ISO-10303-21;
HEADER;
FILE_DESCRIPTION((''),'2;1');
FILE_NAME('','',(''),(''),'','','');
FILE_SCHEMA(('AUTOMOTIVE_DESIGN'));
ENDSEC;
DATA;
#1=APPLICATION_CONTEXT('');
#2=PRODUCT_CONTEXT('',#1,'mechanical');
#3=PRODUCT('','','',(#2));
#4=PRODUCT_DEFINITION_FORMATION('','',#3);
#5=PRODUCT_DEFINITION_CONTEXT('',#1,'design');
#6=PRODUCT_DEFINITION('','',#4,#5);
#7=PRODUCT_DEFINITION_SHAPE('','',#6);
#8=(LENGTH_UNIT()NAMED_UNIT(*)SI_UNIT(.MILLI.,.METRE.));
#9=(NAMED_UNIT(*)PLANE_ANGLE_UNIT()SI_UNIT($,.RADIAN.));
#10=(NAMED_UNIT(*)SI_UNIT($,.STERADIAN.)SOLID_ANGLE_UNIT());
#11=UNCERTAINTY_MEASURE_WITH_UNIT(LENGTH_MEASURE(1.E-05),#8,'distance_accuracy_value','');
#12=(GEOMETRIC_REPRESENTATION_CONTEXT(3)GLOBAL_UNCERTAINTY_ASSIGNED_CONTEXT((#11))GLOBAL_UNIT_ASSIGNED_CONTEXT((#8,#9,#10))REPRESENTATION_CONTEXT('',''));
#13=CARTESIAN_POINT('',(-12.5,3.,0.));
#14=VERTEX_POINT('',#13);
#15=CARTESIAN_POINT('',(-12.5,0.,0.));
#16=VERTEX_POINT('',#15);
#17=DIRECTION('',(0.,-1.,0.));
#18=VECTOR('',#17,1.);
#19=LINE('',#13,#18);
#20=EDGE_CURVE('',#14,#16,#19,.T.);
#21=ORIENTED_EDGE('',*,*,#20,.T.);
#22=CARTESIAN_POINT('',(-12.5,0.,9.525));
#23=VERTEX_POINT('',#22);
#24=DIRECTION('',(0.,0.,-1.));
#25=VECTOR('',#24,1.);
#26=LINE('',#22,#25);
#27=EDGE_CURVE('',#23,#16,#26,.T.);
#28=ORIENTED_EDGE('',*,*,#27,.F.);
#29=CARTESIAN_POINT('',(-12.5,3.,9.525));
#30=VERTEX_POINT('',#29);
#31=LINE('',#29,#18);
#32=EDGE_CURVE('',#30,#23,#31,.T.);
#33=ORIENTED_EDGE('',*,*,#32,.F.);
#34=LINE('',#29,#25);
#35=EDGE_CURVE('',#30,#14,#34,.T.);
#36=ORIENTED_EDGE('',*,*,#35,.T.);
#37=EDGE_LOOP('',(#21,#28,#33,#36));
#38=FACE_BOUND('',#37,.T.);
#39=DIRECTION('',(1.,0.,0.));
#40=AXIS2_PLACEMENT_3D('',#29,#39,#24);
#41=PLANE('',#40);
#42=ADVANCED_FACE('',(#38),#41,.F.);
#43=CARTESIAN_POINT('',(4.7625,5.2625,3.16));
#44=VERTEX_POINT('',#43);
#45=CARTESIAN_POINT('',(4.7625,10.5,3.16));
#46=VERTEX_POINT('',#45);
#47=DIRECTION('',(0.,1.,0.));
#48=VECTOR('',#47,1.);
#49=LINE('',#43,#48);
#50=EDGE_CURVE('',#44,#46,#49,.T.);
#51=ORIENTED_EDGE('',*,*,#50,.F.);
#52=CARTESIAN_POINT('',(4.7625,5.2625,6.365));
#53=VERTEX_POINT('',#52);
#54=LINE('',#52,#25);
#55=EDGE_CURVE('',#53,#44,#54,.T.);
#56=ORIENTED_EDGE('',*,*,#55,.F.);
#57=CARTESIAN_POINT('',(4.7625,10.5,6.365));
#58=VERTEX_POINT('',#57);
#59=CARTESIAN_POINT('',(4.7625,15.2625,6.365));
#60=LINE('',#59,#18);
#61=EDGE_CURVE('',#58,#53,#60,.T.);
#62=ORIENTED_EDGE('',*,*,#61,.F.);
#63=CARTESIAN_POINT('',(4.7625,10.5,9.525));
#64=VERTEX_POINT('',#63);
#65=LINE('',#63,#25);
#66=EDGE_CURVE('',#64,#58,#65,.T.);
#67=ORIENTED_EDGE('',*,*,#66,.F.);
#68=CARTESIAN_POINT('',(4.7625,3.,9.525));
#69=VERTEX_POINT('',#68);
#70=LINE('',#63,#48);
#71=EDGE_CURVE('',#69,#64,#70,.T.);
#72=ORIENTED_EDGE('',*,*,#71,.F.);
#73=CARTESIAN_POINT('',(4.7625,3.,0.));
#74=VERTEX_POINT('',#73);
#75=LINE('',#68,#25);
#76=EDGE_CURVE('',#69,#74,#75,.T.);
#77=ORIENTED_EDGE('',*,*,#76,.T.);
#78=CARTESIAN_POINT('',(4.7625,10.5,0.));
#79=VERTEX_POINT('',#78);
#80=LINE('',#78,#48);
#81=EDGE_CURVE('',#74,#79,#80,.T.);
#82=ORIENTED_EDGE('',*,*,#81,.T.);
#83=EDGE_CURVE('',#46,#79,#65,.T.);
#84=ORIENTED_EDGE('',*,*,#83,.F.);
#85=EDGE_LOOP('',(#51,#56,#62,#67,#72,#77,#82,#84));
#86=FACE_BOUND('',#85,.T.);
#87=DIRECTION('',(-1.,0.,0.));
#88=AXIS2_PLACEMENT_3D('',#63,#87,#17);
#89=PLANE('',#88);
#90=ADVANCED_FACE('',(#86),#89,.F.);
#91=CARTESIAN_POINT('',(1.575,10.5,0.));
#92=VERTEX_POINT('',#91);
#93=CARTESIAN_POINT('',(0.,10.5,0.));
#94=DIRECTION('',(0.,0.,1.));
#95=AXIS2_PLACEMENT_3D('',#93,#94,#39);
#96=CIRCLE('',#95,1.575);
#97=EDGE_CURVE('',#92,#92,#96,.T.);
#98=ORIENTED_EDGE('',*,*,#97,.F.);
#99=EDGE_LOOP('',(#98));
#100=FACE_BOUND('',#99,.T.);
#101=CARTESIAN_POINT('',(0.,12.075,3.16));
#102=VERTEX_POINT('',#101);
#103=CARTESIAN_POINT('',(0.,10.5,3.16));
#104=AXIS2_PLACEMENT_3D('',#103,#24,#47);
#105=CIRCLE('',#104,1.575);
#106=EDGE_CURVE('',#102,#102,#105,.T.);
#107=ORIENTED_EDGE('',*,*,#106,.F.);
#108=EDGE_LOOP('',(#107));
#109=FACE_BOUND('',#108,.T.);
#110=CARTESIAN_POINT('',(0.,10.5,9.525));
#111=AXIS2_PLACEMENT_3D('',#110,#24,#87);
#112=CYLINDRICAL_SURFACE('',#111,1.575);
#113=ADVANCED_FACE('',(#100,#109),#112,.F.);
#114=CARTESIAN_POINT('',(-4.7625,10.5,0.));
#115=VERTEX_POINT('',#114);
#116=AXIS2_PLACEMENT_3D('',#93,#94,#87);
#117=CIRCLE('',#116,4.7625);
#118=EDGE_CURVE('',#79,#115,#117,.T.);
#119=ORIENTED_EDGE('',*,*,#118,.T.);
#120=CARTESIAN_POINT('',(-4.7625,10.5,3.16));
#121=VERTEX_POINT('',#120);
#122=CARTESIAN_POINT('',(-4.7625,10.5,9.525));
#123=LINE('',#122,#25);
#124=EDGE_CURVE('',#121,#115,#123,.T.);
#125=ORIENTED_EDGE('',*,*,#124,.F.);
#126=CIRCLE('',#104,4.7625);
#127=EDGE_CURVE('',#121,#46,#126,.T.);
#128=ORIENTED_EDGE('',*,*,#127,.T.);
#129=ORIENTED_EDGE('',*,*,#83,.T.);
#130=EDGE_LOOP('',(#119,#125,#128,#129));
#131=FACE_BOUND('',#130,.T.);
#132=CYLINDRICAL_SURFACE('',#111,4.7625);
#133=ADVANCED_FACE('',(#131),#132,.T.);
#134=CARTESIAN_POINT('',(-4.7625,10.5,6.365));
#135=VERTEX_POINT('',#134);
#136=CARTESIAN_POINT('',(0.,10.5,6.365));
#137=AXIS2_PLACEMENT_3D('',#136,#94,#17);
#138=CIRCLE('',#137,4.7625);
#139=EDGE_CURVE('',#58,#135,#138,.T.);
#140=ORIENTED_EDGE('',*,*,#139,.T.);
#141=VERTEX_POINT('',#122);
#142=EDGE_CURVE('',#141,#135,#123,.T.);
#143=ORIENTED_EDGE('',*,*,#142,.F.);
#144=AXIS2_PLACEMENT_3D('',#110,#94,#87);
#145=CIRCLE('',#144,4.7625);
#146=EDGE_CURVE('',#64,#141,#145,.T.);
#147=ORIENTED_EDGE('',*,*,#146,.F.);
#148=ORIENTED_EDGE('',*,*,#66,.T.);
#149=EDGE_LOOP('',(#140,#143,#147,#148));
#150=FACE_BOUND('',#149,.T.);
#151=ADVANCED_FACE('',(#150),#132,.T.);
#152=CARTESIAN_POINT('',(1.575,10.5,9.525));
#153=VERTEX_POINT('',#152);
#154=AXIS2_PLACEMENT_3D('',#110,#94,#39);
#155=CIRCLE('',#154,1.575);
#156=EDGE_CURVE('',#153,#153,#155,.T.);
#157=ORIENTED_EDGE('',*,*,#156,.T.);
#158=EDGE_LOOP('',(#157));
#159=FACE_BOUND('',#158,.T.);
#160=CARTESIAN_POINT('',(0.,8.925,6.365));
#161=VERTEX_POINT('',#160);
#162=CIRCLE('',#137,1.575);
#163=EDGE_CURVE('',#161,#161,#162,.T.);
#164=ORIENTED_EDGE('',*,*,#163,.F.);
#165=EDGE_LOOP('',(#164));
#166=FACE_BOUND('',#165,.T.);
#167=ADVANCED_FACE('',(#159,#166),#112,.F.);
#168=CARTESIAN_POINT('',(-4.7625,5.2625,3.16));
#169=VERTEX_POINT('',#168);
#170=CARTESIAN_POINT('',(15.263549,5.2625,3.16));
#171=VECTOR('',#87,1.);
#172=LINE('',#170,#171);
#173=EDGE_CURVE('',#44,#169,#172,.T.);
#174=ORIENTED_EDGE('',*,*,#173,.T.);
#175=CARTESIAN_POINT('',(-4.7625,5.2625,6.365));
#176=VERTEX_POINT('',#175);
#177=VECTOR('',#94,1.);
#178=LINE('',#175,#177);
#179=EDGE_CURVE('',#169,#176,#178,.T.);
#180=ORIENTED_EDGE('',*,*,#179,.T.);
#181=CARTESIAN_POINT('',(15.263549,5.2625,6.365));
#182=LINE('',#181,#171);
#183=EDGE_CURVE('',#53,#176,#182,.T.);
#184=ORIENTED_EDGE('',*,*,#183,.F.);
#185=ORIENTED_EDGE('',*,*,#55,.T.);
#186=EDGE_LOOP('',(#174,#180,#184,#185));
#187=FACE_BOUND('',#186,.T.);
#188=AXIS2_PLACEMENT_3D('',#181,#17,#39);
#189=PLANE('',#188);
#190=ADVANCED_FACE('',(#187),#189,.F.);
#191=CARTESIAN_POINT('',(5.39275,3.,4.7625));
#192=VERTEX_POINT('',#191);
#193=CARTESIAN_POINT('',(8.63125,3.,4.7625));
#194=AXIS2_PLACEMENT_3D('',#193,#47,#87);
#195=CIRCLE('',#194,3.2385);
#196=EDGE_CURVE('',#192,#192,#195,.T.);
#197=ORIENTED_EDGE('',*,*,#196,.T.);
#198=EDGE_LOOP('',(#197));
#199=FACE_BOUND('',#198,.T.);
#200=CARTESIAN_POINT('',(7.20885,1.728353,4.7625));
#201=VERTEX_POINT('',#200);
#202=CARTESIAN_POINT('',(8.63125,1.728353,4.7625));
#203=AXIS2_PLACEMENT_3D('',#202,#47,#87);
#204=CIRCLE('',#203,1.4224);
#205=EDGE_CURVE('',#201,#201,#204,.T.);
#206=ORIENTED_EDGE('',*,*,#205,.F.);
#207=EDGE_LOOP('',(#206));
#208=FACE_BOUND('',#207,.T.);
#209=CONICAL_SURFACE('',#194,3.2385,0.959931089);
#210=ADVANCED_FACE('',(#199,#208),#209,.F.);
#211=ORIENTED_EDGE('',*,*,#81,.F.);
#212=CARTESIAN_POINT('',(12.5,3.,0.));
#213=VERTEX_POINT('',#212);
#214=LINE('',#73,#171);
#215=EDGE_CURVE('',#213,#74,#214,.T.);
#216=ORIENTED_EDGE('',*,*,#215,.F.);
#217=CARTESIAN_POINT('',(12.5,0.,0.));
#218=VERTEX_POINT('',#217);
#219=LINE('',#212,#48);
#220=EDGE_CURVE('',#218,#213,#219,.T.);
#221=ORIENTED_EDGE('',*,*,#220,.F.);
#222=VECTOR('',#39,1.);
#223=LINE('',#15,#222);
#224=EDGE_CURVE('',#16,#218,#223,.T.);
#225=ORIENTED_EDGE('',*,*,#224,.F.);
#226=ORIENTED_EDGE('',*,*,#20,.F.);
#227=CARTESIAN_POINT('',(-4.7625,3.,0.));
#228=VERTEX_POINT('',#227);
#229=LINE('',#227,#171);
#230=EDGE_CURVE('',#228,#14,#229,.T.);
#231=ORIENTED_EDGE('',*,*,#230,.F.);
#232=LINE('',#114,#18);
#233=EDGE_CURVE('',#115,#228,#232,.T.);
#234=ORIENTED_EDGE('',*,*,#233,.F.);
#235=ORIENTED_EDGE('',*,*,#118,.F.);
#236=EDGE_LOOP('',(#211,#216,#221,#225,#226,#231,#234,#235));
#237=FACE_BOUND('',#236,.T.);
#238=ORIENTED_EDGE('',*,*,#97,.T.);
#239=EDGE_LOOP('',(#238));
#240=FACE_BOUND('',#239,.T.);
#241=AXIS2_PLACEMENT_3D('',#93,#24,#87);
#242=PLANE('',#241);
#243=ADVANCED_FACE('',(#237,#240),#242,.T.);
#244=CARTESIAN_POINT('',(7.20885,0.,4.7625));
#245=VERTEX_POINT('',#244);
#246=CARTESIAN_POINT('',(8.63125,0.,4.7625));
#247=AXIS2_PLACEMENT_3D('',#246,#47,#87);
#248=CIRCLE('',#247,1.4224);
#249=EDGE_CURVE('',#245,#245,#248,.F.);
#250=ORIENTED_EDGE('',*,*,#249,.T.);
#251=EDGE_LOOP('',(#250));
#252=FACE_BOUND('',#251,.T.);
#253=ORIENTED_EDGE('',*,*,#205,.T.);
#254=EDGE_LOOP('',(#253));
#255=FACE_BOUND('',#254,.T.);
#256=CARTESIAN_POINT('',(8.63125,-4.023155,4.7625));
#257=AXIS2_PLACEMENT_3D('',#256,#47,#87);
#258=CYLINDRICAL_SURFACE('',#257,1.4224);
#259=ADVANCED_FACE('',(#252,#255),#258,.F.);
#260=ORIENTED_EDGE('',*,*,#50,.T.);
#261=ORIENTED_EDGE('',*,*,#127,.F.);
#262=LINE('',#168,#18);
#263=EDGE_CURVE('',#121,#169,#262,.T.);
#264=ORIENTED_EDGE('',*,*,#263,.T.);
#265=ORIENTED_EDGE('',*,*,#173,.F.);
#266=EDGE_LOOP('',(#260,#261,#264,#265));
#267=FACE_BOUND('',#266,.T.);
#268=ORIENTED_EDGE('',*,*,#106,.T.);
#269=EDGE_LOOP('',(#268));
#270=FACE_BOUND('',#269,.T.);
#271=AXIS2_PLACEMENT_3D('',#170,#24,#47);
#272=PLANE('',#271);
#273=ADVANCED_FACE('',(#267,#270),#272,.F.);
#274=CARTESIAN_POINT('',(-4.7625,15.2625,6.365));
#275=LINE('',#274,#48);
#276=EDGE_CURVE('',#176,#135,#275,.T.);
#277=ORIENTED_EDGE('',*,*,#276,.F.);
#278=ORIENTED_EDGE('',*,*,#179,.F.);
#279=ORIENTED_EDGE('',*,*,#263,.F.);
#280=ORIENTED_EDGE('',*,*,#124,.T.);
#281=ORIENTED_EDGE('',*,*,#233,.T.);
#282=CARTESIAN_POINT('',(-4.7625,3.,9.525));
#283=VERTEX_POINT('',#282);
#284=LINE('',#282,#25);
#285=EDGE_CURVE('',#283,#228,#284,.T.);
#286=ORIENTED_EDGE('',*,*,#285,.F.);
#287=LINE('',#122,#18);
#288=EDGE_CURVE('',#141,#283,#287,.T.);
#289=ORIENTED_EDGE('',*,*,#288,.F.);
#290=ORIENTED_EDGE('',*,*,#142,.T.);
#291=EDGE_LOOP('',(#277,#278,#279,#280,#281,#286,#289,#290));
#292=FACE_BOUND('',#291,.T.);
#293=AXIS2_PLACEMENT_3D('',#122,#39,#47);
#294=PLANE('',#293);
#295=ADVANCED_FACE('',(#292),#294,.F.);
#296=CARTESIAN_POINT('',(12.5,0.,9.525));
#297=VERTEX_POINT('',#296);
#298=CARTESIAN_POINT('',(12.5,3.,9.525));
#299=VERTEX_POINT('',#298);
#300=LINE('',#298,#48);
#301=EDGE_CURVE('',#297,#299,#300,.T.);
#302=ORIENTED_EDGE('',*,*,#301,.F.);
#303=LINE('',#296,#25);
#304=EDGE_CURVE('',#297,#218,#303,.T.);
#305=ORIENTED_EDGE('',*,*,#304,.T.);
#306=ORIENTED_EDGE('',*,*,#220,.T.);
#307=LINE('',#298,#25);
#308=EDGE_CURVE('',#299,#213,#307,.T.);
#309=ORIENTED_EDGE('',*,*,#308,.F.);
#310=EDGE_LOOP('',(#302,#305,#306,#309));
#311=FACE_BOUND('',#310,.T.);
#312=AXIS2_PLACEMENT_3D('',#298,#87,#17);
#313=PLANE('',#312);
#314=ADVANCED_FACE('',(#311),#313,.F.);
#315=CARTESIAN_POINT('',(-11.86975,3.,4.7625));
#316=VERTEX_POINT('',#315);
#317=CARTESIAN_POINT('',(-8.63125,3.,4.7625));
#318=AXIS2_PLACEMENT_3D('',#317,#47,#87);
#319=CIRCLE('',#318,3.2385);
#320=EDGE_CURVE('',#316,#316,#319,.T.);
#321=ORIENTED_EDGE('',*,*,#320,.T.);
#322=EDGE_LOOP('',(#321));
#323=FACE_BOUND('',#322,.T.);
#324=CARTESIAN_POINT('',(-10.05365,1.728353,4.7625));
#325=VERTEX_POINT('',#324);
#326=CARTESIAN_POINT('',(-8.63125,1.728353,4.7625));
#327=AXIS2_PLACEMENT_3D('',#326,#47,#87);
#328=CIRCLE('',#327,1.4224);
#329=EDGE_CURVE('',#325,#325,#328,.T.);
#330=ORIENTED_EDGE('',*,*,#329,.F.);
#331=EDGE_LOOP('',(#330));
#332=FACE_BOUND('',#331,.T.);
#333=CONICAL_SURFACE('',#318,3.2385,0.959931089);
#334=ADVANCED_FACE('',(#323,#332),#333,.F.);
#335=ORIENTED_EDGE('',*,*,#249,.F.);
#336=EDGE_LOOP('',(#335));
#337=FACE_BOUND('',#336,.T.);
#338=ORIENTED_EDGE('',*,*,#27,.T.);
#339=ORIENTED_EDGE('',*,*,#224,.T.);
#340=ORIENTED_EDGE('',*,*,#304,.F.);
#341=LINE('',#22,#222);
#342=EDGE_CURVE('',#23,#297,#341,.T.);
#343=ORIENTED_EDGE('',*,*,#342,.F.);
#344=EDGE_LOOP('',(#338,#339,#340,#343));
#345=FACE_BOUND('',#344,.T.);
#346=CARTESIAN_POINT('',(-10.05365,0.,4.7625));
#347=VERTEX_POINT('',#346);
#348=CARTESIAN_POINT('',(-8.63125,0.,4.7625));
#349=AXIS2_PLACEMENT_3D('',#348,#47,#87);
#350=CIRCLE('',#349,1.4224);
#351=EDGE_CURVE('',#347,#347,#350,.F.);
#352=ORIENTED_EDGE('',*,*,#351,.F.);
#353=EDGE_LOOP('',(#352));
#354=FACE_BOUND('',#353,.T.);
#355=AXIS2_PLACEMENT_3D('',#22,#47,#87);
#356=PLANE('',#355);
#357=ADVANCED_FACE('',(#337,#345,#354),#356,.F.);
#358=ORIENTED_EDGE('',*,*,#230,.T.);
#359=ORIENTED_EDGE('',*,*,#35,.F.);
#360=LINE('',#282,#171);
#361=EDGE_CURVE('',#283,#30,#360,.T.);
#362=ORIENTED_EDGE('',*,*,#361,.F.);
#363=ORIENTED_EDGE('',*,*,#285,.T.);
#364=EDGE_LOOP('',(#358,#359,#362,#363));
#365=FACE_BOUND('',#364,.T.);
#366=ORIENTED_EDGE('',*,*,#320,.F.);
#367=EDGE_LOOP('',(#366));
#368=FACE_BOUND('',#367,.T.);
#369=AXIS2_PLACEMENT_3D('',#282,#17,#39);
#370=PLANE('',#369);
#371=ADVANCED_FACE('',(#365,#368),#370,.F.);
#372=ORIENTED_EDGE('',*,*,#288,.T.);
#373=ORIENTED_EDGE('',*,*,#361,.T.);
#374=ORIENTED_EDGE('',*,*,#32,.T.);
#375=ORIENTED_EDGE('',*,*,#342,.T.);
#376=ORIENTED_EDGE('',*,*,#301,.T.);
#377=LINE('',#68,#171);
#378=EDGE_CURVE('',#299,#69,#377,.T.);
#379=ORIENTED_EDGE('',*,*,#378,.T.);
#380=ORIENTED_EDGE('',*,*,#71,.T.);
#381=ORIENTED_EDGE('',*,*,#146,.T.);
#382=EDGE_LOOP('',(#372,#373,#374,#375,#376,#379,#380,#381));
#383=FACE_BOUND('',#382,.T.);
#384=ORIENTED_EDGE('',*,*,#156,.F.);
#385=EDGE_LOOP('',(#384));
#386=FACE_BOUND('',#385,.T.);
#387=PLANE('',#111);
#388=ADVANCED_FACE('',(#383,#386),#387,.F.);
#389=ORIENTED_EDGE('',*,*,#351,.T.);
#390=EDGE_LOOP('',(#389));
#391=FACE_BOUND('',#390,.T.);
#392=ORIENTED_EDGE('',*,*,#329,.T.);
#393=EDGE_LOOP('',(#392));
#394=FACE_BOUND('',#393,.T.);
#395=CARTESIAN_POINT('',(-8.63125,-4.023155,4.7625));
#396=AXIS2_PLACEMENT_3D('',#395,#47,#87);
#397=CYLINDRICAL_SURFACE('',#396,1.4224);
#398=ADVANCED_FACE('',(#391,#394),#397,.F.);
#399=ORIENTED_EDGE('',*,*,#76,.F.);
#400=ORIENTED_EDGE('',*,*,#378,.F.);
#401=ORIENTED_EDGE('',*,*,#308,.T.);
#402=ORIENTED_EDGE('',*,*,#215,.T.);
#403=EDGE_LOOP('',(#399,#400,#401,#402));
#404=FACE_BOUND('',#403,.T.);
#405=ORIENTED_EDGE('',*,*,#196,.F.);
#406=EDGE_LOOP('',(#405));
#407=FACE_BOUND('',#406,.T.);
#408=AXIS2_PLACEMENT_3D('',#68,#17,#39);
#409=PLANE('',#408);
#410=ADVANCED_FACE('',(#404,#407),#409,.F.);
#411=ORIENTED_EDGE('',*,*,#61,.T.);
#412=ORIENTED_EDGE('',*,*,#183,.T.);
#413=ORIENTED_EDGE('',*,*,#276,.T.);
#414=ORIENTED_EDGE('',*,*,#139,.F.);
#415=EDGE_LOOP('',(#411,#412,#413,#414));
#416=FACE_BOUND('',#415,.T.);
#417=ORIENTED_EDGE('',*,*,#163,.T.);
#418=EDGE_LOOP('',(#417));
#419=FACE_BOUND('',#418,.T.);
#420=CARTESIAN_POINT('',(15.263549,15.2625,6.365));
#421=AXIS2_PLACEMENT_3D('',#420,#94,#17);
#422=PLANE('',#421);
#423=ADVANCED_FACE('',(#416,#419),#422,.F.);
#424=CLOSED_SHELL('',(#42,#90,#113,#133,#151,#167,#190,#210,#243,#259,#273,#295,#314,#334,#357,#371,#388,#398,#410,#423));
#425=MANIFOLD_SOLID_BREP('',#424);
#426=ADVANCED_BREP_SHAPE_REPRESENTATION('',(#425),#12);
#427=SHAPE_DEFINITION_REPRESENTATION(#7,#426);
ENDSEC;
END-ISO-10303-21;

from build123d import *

# Parameters (mm, degrees)
SKETCH1_R           = 1.575
BOSS_EXTRUDE1_DEPTH = 9.525
SKETCH2_W           = 3.205
SKETCH2_H           = 10
CUT_EXTRUDE4_DEPTH  = 9.525
SKETCH4_R           = 1.4224
CUT_EXTRUDE5_DEPTH  = 3
SKETCH5_R           = 3.2385
CUT_EXTRUDE6_DEPTH  = 2.2
CUT_EXTRUDE6_TAPER  = 55


with BuildPart() as part:
    # Sketch1 → Boss-Extrude1 (new body)
    with BuildSketch(Plane.XY):
        with BuildLine():
            Line((4.7625, 10.5), (4.7625, 3))
            Line((4.7625, 3), (12.5, 3))
            Line((12.5, 3), (12.5, 0))
            Line((12.5, 0), (-12.5, 0))
            Line((-12.5, 0), (-12.5, 3))
            Line((-12.5, 3), (-4.7625, 3))
            Line((-4.7625, 3), (-4.7625, 10.5))
            ThreePointArc((-4.7625, 10.5), (0, 15.2625), (4.7625, 10.5))
        make_face()
        with Locations((0, 10.5)):
            Circle(SKETCH1_R, mode=Mode.SUBTRACT)
    extrude(amount=BOSS_EXTRUDE1_DEPTH)

    # Sketch2 → Cut-Extrude4 (cut)
    with BuildSketch(Plane.ZY.offset(4.7625)):
        with Locations((4.7625, 10.2625)):
            Rectangle(SKETCH2_W, SKETCH2_H)
    extrude(amount=-CUT_EXTRUDE4_DEPTH, mode=Mode.SUBTRACT)

    # Sketch4 → Cut-Extrude5 (cut)
    with BuildSketch(Plane(origin=(0, 3, 0), x_dir=(1, 0, 0), z_dir=(0, 1, 0))):
        with Locations((8.63125, -4.7625)):
            Circle(SKETCH4_R)
        with Locations((-8.63125, -4.7625)):
            Circle(SKETCH4_R)
    extrude(amount=-CUT_EXTRUDE5_DEPTH, mode=Mode.SUBTRACT)

    # Sketch5 → Cut-Extrude6 (cut)
    with BuildSketch(Plane(origin=(0, 3, 0), x_dir=(1, 0, 0), z_dir=(0, 1, 0))):
        with Locations((8.63125, -4.7625)):
            Circle(SKETCH5_R)
        with Locations((-8.63125, -4.7625)):
            Circle(SKETCH5_R)
    extrude(amount=-CUT_EXTRUDE6_DEPTH, taper=CUT_EXTRUDE6_TAPER, mode=Mode.SUBTRACT)


solid = part.part
